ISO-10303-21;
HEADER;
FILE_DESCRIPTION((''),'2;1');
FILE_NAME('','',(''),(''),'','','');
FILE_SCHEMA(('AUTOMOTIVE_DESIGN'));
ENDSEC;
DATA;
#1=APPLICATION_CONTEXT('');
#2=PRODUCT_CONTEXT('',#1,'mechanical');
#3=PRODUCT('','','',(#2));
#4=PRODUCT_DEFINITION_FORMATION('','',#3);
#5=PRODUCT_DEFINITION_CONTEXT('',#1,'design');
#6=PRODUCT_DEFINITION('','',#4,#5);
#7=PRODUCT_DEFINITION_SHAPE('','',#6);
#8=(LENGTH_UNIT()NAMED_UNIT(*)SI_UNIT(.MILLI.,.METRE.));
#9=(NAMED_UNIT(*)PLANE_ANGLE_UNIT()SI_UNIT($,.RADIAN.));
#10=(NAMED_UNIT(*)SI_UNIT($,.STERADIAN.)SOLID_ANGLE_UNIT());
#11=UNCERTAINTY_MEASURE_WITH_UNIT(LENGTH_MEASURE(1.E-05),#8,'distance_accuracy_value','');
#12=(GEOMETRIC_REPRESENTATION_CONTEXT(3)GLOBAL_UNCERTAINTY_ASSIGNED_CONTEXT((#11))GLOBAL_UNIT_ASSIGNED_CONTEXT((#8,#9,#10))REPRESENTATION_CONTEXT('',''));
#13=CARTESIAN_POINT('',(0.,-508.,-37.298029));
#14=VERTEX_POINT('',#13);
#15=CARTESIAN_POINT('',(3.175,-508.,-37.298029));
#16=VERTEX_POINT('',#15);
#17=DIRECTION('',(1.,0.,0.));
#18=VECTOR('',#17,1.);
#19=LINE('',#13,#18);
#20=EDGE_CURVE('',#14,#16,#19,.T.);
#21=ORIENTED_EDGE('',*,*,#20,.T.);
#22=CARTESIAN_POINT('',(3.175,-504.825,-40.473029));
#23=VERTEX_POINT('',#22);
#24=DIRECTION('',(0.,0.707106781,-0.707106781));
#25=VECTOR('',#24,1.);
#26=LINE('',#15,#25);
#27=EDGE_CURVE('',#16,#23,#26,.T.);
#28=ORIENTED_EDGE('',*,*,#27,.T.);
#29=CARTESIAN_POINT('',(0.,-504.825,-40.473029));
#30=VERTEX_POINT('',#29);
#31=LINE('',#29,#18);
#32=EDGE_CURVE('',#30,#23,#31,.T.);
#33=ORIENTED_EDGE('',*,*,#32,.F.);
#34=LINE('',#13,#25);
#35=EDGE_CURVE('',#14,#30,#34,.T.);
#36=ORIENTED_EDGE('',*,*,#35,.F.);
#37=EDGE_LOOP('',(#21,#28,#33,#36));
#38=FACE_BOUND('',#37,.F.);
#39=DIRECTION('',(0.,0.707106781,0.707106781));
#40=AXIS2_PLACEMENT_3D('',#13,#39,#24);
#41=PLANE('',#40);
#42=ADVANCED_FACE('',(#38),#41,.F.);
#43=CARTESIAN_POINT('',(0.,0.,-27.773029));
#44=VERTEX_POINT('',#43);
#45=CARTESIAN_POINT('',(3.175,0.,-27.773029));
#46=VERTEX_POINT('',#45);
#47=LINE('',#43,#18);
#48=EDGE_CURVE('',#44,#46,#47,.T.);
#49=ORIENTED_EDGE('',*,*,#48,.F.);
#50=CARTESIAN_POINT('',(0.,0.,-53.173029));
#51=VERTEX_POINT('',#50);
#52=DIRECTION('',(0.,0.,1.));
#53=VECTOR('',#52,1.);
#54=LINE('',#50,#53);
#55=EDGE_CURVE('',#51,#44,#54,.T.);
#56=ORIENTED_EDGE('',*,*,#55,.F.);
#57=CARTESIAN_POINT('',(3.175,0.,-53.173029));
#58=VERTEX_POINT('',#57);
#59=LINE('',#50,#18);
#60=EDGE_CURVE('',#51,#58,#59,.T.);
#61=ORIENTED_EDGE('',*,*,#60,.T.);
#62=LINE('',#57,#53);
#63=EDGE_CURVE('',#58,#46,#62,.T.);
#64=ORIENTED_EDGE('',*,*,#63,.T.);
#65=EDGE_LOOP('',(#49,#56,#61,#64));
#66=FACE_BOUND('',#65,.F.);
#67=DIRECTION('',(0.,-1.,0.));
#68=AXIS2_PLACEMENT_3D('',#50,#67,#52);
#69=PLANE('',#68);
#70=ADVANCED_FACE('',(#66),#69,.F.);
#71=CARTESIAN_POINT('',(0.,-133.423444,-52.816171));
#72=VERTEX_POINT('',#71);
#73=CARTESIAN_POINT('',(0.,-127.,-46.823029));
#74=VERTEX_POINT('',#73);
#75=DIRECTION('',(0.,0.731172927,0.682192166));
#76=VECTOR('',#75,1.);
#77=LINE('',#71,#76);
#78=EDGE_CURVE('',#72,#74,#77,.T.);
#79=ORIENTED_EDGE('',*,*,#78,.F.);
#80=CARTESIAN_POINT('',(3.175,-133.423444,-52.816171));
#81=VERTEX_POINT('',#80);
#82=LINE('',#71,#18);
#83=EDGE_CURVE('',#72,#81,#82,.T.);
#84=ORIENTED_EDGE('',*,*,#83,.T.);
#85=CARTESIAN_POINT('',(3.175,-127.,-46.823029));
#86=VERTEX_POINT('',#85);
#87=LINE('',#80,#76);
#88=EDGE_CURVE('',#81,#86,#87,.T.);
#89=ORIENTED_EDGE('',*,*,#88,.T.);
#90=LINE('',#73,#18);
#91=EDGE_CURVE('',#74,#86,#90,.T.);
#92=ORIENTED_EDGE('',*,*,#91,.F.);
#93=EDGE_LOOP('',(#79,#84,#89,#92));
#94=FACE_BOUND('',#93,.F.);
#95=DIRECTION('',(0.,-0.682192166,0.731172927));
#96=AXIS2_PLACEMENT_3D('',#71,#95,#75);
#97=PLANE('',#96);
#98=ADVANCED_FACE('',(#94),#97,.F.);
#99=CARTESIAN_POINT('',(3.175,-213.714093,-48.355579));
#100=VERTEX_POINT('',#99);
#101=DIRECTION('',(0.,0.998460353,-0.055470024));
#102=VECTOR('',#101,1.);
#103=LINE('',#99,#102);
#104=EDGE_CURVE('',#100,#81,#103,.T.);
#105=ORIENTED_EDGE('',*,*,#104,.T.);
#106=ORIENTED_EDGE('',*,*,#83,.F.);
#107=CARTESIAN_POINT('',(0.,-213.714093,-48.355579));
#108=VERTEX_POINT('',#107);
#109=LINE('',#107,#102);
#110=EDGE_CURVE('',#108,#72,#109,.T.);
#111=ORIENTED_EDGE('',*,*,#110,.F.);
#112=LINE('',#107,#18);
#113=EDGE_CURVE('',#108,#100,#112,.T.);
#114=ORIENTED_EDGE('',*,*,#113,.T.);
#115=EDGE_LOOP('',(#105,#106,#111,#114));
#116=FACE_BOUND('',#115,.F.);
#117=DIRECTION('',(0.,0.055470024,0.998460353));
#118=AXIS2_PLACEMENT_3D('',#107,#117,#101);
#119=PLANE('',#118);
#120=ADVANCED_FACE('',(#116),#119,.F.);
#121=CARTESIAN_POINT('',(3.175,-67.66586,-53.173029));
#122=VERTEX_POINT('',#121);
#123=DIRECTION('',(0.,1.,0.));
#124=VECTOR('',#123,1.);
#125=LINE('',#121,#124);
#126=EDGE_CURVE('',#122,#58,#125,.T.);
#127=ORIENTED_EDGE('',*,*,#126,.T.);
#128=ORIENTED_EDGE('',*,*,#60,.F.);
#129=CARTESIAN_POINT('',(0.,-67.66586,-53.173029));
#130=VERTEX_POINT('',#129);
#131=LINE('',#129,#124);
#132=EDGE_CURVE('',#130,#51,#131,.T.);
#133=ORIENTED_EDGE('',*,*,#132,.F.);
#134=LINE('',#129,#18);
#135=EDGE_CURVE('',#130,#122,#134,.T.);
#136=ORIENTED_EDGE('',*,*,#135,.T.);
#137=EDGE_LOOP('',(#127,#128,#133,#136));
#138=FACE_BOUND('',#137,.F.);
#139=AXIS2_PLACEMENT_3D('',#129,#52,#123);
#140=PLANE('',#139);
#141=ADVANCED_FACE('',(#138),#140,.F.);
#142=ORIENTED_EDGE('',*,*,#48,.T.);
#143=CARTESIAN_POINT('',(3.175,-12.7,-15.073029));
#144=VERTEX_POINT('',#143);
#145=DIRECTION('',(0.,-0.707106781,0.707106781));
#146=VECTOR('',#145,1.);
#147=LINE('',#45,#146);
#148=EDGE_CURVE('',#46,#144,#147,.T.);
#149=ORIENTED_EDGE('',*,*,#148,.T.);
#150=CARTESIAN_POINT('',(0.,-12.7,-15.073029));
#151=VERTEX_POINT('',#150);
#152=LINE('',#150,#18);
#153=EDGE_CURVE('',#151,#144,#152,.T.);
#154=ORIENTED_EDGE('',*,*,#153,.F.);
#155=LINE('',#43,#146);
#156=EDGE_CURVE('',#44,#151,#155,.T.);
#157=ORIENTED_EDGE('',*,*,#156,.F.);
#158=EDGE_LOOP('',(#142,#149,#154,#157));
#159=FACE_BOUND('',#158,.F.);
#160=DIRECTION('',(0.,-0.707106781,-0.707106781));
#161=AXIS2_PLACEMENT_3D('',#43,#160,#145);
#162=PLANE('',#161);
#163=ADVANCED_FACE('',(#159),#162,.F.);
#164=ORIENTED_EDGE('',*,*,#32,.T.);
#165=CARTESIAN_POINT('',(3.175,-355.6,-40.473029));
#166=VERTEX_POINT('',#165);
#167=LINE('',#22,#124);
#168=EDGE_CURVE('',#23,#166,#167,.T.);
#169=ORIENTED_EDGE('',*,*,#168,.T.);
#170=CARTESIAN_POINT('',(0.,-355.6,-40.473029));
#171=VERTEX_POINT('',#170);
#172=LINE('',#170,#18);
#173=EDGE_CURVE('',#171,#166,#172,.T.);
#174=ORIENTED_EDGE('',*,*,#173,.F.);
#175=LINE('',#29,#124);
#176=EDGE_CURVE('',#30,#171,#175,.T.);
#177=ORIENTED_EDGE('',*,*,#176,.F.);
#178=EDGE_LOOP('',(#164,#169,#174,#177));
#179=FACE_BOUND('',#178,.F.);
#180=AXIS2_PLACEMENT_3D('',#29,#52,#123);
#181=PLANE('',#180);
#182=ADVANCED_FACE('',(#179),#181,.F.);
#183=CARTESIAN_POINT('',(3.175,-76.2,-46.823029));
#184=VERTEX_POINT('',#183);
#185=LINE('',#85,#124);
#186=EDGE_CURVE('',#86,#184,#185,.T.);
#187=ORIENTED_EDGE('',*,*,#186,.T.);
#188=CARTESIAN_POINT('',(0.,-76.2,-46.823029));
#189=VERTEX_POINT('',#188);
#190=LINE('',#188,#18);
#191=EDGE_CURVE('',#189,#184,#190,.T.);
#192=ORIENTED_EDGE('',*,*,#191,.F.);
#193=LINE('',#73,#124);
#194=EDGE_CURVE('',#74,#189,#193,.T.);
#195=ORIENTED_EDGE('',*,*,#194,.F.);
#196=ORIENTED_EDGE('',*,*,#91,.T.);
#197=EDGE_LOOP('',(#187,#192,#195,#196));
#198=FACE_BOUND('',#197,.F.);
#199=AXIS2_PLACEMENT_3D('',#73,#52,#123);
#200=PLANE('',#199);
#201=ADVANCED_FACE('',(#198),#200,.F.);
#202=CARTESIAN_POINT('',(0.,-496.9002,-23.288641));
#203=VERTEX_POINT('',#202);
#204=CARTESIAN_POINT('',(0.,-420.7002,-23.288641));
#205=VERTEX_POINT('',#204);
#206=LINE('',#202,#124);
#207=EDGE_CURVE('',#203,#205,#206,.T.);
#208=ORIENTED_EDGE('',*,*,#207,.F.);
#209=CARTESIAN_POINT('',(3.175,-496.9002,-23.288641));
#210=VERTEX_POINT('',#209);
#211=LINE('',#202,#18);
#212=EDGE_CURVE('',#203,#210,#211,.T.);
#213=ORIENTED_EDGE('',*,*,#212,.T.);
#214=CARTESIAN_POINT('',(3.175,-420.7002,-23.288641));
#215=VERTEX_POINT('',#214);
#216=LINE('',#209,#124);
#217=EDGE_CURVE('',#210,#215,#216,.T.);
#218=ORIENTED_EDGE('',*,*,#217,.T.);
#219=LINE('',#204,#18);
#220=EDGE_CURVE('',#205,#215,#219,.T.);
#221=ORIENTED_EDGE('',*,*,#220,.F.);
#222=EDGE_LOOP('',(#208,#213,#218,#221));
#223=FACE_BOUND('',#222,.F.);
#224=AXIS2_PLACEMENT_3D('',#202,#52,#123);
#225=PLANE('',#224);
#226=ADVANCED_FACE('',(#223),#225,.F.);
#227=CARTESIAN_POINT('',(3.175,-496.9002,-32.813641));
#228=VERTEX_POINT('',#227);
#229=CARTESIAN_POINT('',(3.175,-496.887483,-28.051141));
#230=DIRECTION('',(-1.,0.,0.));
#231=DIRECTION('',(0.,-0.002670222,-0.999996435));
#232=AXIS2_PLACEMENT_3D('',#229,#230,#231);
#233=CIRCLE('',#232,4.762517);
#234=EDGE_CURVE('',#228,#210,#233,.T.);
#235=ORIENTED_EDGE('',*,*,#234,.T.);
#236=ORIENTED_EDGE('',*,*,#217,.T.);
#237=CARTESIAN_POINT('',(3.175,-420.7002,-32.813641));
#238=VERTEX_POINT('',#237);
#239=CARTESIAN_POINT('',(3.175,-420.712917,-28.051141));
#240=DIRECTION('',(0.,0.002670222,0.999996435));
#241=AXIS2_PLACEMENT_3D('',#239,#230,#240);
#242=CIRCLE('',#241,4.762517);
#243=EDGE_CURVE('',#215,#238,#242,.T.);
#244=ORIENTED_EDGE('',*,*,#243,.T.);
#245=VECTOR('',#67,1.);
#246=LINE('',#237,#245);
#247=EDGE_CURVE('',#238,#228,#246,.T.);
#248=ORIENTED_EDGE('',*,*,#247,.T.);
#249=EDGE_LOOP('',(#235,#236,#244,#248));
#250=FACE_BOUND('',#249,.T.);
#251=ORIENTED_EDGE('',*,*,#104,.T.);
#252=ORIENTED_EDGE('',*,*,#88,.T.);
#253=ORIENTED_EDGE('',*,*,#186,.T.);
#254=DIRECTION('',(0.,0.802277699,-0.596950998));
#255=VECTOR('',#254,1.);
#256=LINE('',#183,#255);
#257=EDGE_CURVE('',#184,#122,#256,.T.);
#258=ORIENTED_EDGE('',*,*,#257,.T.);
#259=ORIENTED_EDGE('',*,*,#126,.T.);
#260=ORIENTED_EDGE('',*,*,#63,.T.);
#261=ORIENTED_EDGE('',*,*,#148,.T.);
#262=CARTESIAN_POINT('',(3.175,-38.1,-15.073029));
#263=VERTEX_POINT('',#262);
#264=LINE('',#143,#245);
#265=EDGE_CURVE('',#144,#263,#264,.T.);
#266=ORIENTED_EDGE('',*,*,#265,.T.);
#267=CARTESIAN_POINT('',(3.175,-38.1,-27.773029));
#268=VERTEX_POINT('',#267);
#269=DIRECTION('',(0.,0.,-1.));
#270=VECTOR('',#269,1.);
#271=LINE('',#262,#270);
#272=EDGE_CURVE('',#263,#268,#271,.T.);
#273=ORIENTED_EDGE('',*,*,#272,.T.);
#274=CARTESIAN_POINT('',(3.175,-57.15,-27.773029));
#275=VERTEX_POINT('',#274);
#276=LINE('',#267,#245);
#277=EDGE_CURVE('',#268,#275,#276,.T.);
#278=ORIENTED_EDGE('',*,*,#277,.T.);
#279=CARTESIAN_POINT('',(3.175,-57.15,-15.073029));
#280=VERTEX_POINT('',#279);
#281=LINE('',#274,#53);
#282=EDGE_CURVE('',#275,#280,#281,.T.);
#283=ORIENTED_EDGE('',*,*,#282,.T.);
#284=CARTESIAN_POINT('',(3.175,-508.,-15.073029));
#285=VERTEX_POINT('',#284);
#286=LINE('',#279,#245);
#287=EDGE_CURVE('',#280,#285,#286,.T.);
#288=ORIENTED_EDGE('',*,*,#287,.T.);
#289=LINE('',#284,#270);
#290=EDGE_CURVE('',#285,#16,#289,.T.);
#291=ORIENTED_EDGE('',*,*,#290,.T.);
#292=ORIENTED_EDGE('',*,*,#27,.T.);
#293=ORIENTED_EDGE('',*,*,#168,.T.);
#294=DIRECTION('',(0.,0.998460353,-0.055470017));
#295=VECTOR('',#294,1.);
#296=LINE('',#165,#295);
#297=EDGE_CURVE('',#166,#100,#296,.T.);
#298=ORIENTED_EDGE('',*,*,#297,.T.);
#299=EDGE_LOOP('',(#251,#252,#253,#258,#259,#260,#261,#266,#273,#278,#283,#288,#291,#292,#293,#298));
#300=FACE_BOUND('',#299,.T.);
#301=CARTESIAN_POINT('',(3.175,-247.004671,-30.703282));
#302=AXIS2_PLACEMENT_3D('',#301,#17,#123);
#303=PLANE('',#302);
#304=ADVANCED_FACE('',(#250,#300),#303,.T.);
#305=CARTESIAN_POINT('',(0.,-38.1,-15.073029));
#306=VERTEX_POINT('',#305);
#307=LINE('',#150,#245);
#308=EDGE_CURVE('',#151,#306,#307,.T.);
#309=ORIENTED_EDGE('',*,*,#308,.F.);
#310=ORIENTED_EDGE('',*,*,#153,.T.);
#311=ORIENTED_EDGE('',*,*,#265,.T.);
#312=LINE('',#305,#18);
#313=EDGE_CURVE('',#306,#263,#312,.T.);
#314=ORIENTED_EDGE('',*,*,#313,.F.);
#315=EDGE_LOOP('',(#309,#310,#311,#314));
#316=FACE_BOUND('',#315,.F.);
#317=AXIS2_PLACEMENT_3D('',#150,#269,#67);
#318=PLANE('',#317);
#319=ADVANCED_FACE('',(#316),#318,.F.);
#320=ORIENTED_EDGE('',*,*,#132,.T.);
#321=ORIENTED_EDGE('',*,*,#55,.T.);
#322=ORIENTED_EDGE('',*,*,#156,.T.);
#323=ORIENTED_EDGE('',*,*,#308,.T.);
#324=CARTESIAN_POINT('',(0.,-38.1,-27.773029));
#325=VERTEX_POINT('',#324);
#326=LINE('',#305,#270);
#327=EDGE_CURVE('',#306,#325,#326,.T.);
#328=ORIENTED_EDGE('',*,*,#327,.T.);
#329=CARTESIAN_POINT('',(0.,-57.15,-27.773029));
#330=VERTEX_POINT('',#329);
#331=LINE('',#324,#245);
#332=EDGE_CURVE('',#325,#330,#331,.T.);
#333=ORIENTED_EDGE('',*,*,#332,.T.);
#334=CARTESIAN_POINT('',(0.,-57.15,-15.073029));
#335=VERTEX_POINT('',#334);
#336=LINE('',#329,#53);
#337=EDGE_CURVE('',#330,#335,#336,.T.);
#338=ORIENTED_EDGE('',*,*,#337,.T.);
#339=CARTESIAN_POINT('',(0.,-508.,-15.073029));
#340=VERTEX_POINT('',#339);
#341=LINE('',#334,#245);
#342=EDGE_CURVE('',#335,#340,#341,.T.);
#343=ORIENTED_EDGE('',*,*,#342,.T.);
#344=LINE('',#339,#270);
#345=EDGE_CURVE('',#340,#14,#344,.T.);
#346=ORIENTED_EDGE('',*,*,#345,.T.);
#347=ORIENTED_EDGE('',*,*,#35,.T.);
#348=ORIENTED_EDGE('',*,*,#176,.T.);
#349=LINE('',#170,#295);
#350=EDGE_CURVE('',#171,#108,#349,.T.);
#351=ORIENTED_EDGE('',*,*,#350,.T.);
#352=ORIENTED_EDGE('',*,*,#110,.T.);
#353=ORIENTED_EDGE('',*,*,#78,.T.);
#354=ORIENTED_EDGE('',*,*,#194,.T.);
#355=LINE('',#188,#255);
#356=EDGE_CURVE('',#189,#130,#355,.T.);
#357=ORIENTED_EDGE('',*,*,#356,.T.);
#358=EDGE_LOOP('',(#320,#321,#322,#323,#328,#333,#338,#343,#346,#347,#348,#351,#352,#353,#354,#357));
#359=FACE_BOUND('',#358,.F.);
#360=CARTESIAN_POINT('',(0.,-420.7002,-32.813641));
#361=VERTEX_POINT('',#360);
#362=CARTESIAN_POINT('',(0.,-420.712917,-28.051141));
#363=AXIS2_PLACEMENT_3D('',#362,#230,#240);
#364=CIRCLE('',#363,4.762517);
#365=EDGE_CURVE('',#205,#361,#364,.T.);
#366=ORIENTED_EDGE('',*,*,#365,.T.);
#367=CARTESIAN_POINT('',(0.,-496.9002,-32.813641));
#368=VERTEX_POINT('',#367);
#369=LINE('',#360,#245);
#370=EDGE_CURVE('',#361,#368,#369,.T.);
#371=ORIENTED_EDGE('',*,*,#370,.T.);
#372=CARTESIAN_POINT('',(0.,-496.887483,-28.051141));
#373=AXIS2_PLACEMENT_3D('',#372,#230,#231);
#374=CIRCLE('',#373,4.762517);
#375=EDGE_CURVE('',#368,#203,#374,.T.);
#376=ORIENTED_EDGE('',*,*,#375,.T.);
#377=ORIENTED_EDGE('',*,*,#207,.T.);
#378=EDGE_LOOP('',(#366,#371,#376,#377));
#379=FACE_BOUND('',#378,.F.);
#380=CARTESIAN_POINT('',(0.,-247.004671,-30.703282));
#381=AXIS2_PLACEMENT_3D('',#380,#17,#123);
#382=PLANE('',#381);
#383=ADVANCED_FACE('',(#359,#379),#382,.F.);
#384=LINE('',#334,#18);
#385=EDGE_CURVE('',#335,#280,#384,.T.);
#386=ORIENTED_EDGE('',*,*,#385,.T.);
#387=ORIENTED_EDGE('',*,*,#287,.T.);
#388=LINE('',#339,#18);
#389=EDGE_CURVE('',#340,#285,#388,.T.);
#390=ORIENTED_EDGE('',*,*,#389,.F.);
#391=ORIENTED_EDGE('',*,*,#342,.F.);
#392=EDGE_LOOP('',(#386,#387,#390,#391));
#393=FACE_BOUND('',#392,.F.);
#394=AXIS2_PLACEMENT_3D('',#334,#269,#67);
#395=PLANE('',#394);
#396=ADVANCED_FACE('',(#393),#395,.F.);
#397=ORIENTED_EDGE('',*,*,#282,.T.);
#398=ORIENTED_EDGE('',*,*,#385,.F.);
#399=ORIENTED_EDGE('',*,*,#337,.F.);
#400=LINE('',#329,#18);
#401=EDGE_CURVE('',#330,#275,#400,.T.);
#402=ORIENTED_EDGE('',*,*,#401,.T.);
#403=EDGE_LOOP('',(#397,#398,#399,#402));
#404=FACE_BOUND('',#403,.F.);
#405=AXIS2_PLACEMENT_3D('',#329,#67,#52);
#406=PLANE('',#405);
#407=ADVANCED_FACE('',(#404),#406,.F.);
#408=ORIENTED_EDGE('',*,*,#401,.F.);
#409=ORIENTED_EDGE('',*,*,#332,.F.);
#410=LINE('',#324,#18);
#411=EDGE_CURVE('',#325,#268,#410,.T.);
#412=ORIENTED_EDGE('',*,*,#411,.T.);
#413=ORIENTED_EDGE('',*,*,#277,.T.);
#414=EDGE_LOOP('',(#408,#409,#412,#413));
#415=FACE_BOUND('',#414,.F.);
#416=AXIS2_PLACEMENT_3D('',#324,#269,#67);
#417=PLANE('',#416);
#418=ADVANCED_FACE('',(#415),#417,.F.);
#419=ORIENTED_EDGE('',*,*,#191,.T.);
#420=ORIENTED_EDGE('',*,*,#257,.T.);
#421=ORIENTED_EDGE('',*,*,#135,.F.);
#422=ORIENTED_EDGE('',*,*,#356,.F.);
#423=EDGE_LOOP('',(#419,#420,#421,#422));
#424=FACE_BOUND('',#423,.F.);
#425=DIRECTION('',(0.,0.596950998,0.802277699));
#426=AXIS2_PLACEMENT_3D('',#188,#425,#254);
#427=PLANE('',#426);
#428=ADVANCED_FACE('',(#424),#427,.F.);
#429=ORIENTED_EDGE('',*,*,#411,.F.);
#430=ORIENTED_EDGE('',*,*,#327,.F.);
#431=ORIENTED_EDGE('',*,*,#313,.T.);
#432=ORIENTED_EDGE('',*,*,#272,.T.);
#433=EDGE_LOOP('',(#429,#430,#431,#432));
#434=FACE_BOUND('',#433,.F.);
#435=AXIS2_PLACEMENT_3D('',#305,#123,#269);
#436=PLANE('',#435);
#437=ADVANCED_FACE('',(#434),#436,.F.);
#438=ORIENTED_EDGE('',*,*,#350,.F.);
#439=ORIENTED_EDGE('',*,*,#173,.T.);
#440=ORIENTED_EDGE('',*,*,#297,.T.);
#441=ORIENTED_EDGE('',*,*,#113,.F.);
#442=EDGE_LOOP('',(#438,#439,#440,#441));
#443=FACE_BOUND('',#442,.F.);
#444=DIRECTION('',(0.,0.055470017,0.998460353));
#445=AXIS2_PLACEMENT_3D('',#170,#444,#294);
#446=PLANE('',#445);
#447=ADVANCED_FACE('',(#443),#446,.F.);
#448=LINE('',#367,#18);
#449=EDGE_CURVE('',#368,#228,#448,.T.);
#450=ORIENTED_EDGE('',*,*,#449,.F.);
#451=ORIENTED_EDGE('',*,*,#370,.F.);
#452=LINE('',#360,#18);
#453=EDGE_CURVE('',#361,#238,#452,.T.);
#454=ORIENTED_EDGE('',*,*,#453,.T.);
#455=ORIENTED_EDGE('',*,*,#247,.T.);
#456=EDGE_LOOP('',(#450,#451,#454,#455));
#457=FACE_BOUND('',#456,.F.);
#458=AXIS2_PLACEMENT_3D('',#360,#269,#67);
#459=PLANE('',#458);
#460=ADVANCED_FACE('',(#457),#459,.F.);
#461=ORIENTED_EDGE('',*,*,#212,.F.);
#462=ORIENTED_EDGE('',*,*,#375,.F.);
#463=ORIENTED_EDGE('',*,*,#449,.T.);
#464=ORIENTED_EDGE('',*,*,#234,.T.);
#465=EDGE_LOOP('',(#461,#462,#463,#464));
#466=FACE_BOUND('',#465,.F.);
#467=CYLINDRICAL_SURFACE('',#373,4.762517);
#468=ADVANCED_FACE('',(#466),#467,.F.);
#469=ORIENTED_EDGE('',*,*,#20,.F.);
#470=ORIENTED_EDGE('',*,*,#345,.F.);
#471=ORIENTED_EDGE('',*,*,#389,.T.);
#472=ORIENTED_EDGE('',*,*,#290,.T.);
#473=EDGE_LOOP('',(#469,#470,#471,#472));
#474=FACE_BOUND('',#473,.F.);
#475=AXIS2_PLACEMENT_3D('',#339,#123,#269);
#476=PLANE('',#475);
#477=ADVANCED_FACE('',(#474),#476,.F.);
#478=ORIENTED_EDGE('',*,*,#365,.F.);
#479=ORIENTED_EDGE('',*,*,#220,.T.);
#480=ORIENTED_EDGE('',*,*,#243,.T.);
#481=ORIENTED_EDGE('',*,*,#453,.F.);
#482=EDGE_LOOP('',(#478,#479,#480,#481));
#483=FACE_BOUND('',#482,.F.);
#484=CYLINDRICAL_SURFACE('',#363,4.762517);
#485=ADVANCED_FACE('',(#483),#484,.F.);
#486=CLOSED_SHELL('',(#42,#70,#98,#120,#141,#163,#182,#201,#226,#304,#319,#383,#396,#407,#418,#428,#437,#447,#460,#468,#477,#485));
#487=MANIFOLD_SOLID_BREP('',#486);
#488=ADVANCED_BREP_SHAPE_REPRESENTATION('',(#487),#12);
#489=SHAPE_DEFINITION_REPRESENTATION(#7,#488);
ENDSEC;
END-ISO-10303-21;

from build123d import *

# Parameters (mm, degrees)
F1_DEPTH = 3.175


with BuildPart() as f1:
    # F0 (on Right) → F1 (new body)
    with BuildSketch(Plane.YZ):
        Polygon((0, -53.173029), (0, -27.773029), (-12.7, -15.073029), (-38.1, -15.073029), (-38.1, -27.773029), (-57.15, -27.773029), (-57.15, -15.073029), (-209.55, -15.073029), (-508, -15.073029), (-508, -34.123029), (-508, -37.298029), (-504.825, -40.473029), (-355.6, -40.473029), (-213.714093, -48.355579), (-133.423444, -52.816171), (-127, -46.823029), (-76.2, -46.823029), (-67.66586, -53.173029), align=None)
        with BuildLine():
            ThreePointArc((-496.9002, -32.813641), (-501.65, -28.051141), (-496.9002, -23.288641))
            Line((-496.9002, -23.288641), (-420.7002, -23.288641))
            ThreePointArc((-420.7002, -23.288641), (-415.9504, -28.051141), (-420.7002, -32.813641))
            Line((-420.7002, -32.813641), (-496.9002, -32.813641))
        make_face(mode=Mode.SUBTRACT)
    extrude(amount=F1_DEPTH)


solid = f1.part
